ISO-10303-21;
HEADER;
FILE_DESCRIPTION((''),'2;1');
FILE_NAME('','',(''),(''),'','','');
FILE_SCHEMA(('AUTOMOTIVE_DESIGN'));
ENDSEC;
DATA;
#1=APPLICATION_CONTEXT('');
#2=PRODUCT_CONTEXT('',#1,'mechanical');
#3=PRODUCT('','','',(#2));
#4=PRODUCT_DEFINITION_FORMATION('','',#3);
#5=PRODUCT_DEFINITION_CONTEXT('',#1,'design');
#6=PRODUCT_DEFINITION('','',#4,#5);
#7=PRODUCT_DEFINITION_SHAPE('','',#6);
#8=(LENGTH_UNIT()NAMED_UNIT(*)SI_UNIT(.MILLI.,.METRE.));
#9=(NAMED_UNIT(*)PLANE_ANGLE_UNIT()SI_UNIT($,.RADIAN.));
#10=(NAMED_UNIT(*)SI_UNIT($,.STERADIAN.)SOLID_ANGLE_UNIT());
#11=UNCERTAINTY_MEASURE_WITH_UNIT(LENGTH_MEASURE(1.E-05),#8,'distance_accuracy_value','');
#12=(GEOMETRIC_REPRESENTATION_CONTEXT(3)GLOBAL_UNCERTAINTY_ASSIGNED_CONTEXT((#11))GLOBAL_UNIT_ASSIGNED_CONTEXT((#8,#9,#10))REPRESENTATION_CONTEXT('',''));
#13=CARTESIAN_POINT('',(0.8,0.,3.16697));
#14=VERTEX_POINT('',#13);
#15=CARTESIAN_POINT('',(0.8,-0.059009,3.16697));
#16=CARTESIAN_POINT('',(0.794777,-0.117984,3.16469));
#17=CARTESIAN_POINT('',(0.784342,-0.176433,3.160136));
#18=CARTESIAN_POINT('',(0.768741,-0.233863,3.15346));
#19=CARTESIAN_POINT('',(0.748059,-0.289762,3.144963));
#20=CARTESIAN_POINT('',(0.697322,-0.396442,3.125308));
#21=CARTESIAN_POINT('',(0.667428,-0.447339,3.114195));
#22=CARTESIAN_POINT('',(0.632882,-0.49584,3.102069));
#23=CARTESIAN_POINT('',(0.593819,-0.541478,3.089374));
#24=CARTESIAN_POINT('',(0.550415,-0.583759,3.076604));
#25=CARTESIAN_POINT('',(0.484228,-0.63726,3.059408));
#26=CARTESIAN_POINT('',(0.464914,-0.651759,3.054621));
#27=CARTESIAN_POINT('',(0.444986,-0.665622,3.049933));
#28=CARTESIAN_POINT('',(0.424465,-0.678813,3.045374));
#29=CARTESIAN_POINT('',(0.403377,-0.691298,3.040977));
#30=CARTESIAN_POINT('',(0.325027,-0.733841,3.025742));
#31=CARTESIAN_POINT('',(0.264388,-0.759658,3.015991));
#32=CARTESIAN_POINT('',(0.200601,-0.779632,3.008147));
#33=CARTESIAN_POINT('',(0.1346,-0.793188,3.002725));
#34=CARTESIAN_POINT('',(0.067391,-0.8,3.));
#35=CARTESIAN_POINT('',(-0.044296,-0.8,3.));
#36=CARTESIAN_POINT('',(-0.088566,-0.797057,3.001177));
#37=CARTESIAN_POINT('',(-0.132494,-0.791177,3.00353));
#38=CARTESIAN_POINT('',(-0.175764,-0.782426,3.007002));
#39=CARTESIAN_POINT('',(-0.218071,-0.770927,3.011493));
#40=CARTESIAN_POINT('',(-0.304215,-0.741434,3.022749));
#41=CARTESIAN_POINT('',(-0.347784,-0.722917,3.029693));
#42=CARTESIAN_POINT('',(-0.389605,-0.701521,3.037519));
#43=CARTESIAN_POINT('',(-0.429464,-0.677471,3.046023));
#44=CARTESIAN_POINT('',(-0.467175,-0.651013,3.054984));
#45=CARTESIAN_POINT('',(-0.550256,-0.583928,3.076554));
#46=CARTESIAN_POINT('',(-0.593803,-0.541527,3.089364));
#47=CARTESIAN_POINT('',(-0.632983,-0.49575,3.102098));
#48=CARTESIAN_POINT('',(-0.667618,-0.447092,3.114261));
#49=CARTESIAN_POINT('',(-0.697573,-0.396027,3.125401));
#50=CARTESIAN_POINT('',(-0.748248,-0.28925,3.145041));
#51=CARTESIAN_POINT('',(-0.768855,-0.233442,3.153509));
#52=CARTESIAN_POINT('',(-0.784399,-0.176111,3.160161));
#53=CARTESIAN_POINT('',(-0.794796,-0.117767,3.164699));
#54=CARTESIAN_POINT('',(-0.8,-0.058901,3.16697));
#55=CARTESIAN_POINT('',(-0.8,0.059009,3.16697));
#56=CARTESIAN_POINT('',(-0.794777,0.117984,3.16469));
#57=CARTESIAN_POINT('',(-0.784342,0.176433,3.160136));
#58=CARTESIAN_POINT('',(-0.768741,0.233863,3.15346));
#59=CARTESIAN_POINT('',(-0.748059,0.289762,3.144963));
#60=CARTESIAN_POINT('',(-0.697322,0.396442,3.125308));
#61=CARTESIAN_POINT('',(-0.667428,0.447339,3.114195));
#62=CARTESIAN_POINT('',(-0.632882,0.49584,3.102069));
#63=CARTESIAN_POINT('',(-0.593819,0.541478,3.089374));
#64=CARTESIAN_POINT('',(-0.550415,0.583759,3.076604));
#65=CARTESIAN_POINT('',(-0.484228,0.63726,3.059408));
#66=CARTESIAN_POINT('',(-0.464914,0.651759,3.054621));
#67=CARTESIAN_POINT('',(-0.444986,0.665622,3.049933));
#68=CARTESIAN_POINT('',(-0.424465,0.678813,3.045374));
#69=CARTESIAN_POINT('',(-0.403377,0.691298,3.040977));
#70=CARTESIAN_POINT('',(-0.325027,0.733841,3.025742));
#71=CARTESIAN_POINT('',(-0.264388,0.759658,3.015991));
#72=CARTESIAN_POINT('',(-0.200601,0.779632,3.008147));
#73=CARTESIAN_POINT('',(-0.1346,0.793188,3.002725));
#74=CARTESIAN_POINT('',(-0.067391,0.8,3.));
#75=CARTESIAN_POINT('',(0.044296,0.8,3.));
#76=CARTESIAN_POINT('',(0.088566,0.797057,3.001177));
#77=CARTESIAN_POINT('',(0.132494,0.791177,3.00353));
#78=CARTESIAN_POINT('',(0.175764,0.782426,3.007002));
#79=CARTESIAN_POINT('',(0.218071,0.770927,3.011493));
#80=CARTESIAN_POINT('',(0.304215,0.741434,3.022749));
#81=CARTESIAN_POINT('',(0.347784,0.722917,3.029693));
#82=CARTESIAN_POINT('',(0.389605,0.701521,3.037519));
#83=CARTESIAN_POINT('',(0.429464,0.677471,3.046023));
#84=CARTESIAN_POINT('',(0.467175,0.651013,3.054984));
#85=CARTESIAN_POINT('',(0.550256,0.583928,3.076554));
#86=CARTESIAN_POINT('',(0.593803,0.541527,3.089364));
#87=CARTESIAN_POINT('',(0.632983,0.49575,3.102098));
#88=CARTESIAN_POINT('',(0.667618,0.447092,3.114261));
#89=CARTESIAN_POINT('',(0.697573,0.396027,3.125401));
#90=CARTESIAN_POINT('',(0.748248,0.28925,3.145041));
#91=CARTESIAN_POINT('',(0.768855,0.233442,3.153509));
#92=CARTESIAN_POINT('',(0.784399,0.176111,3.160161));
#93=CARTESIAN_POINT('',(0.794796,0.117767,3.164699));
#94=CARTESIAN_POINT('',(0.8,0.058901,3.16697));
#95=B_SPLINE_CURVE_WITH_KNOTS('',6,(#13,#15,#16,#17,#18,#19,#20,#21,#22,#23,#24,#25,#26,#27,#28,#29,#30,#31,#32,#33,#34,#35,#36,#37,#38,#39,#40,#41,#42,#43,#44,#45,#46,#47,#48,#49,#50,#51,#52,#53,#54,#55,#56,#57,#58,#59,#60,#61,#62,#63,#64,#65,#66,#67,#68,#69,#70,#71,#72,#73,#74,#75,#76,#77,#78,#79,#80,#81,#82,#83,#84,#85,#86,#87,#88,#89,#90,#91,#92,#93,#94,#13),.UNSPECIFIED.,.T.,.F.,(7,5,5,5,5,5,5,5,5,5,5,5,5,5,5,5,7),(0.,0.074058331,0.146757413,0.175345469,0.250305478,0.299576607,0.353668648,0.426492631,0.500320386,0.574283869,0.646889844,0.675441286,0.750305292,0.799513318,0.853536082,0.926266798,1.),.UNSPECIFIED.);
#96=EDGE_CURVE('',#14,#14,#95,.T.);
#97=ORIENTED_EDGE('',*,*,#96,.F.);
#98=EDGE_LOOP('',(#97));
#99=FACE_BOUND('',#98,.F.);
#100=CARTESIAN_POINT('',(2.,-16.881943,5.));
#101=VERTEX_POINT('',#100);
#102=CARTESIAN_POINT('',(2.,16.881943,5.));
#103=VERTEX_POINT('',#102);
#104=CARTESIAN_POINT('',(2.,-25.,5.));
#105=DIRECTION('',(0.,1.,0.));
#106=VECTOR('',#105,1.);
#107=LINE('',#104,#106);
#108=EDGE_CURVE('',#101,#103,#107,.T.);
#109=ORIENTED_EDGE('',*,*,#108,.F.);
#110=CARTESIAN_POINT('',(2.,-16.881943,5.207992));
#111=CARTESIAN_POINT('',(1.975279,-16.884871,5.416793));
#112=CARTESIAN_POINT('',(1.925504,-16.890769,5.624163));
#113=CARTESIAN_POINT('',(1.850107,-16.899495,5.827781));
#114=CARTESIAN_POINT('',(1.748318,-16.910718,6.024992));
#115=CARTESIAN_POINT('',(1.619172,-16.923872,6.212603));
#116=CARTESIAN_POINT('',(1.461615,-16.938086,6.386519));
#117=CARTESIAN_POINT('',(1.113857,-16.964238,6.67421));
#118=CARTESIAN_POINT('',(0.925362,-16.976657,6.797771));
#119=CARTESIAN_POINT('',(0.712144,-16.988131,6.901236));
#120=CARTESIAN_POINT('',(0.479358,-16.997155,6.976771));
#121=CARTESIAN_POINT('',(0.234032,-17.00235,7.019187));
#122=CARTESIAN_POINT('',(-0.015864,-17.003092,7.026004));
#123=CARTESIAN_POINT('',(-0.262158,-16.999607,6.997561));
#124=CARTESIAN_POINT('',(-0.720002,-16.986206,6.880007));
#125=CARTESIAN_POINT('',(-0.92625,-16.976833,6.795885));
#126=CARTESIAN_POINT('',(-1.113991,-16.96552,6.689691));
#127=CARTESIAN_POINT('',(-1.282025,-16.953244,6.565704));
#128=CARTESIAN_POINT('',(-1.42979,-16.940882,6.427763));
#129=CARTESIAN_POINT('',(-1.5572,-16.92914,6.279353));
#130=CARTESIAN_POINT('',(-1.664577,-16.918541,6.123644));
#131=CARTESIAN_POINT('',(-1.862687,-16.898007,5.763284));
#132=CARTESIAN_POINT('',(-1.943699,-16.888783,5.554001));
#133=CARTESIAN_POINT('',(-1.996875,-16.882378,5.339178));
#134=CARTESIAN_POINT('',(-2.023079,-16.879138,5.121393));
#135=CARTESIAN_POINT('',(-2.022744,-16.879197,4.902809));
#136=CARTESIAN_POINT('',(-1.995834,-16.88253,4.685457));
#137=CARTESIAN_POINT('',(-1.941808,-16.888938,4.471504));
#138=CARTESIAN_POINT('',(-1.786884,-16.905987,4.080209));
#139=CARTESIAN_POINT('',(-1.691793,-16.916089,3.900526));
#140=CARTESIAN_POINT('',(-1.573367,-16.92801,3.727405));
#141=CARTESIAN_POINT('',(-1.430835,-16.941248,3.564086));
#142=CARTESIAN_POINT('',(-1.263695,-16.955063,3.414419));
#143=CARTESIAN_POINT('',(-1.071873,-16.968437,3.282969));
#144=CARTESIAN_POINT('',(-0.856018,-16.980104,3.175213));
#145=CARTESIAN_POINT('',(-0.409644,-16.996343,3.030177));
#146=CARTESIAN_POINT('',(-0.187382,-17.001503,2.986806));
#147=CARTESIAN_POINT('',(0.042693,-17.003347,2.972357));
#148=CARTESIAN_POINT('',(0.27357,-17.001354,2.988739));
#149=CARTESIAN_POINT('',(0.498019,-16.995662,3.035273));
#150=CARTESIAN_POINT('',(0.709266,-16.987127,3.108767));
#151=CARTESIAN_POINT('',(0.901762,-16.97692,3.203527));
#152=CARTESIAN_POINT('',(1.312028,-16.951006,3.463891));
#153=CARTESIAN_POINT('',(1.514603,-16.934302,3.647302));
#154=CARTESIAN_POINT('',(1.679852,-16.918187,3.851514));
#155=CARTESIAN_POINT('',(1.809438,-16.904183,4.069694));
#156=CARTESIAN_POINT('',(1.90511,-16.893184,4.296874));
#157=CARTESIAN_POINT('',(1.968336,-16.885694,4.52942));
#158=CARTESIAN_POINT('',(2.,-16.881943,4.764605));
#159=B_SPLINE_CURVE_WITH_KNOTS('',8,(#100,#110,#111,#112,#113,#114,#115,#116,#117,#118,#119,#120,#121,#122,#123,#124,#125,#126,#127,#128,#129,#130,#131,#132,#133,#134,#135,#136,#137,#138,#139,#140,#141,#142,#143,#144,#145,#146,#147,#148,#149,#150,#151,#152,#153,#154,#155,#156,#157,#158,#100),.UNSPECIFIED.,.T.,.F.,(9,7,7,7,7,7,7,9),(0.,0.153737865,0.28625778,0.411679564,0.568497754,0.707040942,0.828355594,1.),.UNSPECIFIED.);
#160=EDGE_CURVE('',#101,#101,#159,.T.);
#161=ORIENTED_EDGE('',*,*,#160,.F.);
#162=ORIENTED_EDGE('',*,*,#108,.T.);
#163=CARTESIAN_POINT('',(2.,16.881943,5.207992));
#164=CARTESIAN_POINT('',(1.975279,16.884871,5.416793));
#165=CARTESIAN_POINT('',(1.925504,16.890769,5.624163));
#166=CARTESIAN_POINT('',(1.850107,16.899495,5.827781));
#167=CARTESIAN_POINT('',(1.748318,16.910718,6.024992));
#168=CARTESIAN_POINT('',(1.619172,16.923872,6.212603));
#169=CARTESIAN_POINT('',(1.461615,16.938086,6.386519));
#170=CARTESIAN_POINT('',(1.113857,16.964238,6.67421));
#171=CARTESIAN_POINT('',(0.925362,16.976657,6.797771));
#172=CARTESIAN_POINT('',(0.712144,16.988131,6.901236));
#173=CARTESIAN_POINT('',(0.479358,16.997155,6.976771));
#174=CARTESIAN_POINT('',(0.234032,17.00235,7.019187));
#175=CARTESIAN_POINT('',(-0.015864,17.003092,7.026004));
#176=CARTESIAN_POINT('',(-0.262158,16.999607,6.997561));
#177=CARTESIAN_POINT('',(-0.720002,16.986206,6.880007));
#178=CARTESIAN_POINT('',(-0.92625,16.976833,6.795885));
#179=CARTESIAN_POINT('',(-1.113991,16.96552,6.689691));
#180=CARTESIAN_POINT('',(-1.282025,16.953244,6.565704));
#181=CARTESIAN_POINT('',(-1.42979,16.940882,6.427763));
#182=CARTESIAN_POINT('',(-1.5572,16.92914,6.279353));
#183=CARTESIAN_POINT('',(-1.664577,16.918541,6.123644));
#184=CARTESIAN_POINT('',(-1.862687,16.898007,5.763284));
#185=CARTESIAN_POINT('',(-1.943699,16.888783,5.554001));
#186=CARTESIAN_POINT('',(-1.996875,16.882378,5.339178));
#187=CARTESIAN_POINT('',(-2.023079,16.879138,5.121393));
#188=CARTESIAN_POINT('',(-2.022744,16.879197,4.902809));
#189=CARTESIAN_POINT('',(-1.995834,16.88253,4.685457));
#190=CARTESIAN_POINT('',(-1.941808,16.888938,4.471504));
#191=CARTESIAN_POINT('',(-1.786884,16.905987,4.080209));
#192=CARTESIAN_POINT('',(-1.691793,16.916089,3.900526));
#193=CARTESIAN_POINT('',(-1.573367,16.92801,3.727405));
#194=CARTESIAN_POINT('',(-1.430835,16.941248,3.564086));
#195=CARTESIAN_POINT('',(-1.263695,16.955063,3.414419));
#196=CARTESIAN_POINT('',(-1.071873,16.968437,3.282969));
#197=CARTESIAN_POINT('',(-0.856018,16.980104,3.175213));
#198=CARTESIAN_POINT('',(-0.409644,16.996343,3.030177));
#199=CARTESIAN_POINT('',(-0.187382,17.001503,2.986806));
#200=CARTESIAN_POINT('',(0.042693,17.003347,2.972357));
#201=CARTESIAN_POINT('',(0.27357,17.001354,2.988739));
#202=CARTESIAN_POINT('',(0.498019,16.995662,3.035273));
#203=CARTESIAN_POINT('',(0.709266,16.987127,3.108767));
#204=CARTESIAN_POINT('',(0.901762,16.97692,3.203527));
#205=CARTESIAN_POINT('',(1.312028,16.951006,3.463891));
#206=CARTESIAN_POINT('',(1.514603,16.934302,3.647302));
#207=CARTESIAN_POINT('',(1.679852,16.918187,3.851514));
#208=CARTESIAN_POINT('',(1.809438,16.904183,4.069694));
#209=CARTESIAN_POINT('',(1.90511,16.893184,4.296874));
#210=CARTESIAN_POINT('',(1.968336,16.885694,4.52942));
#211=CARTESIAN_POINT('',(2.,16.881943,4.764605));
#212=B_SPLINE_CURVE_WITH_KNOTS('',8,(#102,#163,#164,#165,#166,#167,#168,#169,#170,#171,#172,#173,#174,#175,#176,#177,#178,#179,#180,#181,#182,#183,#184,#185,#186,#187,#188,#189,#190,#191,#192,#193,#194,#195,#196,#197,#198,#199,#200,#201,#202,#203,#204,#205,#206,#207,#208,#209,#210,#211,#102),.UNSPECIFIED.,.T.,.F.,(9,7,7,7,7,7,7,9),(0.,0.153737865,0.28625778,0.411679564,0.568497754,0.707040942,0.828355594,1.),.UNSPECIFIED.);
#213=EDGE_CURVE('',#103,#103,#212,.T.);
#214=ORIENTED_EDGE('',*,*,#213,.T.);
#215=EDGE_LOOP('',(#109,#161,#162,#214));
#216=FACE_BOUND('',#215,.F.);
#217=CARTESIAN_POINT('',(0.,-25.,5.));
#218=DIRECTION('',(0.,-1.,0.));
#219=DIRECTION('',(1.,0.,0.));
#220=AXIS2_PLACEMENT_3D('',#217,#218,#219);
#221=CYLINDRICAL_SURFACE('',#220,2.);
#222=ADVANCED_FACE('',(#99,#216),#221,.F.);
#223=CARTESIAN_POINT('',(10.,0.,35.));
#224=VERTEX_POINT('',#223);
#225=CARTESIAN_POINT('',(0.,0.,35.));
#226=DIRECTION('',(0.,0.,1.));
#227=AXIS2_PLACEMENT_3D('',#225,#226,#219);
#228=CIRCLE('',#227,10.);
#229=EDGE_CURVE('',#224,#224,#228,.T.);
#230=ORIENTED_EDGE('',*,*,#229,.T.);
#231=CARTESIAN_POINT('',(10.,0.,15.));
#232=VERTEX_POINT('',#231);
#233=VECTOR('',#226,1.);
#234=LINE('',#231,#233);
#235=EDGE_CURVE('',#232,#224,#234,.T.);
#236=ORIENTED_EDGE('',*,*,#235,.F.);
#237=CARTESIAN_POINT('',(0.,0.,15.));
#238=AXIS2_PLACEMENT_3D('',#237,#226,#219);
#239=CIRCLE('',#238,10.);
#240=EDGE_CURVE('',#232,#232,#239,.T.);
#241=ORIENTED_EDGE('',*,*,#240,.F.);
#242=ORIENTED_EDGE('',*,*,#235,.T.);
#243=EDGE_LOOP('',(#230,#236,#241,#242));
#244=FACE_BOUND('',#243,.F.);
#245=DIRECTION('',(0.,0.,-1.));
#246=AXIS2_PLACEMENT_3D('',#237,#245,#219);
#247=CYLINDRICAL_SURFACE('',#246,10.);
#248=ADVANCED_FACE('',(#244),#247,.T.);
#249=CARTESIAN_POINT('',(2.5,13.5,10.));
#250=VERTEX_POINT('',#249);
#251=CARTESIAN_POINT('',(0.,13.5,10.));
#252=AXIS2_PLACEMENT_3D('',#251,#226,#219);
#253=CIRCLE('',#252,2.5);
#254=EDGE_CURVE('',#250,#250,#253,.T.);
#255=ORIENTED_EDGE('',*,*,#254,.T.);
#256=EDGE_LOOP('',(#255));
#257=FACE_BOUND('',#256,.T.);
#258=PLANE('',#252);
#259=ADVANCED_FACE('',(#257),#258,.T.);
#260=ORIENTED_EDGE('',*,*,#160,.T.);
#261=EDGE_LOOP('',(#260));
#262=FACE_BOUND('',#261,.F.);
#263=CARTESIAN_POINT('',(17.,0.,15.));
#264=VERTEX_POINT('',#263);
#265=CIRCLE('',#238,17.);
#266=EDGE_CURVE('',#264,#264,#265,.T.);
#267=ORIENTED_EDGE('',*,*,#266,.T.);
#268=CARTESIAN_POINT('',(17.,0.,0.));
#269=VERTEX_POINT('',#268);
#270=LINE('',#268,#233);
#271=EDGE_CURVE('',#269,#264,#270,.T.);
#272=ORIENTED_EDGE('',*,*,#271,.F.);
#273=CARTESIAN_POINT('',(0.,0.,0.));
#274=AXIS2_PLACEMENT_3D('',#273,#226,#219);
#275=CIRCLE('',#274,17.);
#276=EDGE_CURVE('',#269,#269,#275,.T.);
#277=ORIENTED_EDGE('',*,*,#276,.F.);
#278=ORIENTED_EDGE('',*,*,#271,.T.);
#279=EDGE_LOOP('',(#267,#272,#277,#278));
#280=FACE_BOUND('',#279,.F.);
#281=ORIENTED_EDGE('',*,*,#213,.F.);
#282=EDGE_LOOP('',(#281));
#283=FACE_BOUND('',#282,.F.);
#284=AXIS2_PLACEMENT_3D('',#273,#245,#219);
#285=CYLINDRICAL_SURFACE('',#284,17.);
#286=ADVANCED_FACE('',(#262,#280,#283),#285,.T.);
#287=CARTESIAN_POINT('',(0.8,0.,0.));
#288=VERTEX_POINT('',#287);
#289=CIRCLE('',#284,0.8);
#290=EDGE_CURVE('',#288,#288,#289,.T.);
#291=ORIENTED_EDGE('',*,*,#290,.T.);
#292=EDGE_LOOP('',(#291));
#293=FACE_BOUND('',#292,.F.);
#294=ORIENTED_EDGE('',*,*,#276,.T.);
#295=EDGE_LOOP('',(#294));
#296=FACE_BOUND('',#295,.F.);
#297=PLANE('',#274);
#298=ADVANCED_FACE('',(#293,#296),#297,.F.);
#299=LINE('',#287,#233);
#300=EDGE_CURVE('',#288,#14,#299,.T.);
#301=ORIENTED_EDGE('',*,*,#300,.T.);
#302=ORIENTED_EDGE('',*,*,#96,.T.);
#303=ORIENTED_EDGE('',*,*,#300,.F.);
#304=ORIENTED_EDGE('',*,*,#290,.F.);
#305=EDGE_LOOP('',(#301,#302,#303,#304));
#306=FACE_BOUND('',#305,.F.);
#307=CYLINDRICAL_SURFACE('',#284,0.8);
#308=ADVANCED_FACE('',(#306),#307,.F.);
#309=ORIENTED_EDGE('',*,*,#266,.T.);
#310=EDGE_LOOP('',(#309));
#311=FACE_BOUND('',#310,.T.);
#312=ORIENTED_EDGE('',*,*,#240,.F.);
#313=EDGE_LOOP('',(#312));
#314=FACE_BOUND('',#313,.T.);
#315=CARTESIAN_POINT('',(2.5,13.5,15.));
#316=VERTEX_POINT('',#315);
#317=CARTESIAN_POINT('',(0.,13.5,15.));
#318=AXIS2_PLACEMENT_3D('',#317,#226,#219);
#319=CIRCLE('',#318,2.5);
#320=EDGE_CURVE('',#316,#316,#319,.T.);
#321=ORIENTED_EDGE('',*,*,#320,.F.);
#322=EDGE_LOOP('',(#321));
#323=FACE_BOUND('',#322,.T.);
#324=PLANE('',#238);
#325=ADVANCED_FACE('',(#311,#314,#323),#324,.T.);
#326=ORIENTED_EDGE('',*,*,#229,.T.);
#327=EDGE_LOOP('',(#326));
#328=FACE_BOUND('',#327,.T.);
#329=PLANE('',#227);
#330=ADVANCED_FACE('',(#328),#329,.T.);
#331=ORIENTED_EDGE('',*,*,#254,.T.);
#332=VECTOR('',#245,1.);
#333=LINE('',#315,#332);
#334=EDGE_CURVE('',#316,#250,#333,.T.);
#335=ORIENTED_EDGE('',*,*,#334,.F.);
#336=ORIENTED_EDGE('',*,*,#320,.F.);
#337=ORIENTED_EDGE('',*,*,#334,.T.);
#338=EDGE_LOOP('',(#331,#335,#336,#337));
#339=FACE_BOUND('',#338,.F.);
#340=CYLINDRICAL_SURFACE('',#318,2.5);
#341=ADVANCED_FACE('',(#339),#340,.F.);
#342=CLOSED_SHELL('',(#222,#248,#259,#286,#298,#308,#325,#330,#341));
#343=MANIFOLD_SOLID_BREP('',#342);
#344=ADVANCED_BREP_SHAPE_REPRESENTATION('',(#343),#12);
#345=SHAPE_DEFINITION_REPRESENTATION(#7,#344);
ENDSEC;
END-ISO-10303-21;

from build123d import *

# Parameters (mm, degrees)
F0_R      = 17
F1_DEPTH  = 15
F2_R      = 10
F3_DEPTH  = 20
F4_R      = 0.8
F5_DEPTH  = 5
F7_R      = 2
F8_DEPTH  = 42.001
F9_R      = 2.5
F10_DEPTH = 5


with BuildPart() as f1:
    # F0 (on Top) → F1 (new body)
    with BuildSketch(Plane.XY):
        Circle(F0_R)
    extrude(amount=F1_DEPTH)

    # F2 (on face) → F3 (join)
    with BuildSketch(Plane.XY.offset(15)):
        Circle(F2_R)
    extrude(amount=F3_DEPTH)

    # F4 (on face) → F5 (cut)
    with BuildSketch(Plane(origin=(0, 0, 0), x_dir=(1, 0, 0), z_dir=(0, 0, -1))):
        Circle(F4_R)
    extrude(amount=-F5_DEPTH, mode=Mode.SUBTRACT)

    # F7 (on offset) → F8 (cut, through all)
    with BuildSketch(Plane.XZ.offset(25)):
        with Locations((0, 5)):
            Circle(F7_R)
    extrude(amount=-F8_DEPTH, mode=Mode.SUBTRACT)

    # F9 (on face) → F10 (cut)
    with BuildSketch(Plane.XY.offset(15)):
        with Locations((0, 13.5)):
            Circle(F9_R)
    extrude(amount=-F10_DEPTH, mode=Mode.SUBTRACT)


solid = f1.part
